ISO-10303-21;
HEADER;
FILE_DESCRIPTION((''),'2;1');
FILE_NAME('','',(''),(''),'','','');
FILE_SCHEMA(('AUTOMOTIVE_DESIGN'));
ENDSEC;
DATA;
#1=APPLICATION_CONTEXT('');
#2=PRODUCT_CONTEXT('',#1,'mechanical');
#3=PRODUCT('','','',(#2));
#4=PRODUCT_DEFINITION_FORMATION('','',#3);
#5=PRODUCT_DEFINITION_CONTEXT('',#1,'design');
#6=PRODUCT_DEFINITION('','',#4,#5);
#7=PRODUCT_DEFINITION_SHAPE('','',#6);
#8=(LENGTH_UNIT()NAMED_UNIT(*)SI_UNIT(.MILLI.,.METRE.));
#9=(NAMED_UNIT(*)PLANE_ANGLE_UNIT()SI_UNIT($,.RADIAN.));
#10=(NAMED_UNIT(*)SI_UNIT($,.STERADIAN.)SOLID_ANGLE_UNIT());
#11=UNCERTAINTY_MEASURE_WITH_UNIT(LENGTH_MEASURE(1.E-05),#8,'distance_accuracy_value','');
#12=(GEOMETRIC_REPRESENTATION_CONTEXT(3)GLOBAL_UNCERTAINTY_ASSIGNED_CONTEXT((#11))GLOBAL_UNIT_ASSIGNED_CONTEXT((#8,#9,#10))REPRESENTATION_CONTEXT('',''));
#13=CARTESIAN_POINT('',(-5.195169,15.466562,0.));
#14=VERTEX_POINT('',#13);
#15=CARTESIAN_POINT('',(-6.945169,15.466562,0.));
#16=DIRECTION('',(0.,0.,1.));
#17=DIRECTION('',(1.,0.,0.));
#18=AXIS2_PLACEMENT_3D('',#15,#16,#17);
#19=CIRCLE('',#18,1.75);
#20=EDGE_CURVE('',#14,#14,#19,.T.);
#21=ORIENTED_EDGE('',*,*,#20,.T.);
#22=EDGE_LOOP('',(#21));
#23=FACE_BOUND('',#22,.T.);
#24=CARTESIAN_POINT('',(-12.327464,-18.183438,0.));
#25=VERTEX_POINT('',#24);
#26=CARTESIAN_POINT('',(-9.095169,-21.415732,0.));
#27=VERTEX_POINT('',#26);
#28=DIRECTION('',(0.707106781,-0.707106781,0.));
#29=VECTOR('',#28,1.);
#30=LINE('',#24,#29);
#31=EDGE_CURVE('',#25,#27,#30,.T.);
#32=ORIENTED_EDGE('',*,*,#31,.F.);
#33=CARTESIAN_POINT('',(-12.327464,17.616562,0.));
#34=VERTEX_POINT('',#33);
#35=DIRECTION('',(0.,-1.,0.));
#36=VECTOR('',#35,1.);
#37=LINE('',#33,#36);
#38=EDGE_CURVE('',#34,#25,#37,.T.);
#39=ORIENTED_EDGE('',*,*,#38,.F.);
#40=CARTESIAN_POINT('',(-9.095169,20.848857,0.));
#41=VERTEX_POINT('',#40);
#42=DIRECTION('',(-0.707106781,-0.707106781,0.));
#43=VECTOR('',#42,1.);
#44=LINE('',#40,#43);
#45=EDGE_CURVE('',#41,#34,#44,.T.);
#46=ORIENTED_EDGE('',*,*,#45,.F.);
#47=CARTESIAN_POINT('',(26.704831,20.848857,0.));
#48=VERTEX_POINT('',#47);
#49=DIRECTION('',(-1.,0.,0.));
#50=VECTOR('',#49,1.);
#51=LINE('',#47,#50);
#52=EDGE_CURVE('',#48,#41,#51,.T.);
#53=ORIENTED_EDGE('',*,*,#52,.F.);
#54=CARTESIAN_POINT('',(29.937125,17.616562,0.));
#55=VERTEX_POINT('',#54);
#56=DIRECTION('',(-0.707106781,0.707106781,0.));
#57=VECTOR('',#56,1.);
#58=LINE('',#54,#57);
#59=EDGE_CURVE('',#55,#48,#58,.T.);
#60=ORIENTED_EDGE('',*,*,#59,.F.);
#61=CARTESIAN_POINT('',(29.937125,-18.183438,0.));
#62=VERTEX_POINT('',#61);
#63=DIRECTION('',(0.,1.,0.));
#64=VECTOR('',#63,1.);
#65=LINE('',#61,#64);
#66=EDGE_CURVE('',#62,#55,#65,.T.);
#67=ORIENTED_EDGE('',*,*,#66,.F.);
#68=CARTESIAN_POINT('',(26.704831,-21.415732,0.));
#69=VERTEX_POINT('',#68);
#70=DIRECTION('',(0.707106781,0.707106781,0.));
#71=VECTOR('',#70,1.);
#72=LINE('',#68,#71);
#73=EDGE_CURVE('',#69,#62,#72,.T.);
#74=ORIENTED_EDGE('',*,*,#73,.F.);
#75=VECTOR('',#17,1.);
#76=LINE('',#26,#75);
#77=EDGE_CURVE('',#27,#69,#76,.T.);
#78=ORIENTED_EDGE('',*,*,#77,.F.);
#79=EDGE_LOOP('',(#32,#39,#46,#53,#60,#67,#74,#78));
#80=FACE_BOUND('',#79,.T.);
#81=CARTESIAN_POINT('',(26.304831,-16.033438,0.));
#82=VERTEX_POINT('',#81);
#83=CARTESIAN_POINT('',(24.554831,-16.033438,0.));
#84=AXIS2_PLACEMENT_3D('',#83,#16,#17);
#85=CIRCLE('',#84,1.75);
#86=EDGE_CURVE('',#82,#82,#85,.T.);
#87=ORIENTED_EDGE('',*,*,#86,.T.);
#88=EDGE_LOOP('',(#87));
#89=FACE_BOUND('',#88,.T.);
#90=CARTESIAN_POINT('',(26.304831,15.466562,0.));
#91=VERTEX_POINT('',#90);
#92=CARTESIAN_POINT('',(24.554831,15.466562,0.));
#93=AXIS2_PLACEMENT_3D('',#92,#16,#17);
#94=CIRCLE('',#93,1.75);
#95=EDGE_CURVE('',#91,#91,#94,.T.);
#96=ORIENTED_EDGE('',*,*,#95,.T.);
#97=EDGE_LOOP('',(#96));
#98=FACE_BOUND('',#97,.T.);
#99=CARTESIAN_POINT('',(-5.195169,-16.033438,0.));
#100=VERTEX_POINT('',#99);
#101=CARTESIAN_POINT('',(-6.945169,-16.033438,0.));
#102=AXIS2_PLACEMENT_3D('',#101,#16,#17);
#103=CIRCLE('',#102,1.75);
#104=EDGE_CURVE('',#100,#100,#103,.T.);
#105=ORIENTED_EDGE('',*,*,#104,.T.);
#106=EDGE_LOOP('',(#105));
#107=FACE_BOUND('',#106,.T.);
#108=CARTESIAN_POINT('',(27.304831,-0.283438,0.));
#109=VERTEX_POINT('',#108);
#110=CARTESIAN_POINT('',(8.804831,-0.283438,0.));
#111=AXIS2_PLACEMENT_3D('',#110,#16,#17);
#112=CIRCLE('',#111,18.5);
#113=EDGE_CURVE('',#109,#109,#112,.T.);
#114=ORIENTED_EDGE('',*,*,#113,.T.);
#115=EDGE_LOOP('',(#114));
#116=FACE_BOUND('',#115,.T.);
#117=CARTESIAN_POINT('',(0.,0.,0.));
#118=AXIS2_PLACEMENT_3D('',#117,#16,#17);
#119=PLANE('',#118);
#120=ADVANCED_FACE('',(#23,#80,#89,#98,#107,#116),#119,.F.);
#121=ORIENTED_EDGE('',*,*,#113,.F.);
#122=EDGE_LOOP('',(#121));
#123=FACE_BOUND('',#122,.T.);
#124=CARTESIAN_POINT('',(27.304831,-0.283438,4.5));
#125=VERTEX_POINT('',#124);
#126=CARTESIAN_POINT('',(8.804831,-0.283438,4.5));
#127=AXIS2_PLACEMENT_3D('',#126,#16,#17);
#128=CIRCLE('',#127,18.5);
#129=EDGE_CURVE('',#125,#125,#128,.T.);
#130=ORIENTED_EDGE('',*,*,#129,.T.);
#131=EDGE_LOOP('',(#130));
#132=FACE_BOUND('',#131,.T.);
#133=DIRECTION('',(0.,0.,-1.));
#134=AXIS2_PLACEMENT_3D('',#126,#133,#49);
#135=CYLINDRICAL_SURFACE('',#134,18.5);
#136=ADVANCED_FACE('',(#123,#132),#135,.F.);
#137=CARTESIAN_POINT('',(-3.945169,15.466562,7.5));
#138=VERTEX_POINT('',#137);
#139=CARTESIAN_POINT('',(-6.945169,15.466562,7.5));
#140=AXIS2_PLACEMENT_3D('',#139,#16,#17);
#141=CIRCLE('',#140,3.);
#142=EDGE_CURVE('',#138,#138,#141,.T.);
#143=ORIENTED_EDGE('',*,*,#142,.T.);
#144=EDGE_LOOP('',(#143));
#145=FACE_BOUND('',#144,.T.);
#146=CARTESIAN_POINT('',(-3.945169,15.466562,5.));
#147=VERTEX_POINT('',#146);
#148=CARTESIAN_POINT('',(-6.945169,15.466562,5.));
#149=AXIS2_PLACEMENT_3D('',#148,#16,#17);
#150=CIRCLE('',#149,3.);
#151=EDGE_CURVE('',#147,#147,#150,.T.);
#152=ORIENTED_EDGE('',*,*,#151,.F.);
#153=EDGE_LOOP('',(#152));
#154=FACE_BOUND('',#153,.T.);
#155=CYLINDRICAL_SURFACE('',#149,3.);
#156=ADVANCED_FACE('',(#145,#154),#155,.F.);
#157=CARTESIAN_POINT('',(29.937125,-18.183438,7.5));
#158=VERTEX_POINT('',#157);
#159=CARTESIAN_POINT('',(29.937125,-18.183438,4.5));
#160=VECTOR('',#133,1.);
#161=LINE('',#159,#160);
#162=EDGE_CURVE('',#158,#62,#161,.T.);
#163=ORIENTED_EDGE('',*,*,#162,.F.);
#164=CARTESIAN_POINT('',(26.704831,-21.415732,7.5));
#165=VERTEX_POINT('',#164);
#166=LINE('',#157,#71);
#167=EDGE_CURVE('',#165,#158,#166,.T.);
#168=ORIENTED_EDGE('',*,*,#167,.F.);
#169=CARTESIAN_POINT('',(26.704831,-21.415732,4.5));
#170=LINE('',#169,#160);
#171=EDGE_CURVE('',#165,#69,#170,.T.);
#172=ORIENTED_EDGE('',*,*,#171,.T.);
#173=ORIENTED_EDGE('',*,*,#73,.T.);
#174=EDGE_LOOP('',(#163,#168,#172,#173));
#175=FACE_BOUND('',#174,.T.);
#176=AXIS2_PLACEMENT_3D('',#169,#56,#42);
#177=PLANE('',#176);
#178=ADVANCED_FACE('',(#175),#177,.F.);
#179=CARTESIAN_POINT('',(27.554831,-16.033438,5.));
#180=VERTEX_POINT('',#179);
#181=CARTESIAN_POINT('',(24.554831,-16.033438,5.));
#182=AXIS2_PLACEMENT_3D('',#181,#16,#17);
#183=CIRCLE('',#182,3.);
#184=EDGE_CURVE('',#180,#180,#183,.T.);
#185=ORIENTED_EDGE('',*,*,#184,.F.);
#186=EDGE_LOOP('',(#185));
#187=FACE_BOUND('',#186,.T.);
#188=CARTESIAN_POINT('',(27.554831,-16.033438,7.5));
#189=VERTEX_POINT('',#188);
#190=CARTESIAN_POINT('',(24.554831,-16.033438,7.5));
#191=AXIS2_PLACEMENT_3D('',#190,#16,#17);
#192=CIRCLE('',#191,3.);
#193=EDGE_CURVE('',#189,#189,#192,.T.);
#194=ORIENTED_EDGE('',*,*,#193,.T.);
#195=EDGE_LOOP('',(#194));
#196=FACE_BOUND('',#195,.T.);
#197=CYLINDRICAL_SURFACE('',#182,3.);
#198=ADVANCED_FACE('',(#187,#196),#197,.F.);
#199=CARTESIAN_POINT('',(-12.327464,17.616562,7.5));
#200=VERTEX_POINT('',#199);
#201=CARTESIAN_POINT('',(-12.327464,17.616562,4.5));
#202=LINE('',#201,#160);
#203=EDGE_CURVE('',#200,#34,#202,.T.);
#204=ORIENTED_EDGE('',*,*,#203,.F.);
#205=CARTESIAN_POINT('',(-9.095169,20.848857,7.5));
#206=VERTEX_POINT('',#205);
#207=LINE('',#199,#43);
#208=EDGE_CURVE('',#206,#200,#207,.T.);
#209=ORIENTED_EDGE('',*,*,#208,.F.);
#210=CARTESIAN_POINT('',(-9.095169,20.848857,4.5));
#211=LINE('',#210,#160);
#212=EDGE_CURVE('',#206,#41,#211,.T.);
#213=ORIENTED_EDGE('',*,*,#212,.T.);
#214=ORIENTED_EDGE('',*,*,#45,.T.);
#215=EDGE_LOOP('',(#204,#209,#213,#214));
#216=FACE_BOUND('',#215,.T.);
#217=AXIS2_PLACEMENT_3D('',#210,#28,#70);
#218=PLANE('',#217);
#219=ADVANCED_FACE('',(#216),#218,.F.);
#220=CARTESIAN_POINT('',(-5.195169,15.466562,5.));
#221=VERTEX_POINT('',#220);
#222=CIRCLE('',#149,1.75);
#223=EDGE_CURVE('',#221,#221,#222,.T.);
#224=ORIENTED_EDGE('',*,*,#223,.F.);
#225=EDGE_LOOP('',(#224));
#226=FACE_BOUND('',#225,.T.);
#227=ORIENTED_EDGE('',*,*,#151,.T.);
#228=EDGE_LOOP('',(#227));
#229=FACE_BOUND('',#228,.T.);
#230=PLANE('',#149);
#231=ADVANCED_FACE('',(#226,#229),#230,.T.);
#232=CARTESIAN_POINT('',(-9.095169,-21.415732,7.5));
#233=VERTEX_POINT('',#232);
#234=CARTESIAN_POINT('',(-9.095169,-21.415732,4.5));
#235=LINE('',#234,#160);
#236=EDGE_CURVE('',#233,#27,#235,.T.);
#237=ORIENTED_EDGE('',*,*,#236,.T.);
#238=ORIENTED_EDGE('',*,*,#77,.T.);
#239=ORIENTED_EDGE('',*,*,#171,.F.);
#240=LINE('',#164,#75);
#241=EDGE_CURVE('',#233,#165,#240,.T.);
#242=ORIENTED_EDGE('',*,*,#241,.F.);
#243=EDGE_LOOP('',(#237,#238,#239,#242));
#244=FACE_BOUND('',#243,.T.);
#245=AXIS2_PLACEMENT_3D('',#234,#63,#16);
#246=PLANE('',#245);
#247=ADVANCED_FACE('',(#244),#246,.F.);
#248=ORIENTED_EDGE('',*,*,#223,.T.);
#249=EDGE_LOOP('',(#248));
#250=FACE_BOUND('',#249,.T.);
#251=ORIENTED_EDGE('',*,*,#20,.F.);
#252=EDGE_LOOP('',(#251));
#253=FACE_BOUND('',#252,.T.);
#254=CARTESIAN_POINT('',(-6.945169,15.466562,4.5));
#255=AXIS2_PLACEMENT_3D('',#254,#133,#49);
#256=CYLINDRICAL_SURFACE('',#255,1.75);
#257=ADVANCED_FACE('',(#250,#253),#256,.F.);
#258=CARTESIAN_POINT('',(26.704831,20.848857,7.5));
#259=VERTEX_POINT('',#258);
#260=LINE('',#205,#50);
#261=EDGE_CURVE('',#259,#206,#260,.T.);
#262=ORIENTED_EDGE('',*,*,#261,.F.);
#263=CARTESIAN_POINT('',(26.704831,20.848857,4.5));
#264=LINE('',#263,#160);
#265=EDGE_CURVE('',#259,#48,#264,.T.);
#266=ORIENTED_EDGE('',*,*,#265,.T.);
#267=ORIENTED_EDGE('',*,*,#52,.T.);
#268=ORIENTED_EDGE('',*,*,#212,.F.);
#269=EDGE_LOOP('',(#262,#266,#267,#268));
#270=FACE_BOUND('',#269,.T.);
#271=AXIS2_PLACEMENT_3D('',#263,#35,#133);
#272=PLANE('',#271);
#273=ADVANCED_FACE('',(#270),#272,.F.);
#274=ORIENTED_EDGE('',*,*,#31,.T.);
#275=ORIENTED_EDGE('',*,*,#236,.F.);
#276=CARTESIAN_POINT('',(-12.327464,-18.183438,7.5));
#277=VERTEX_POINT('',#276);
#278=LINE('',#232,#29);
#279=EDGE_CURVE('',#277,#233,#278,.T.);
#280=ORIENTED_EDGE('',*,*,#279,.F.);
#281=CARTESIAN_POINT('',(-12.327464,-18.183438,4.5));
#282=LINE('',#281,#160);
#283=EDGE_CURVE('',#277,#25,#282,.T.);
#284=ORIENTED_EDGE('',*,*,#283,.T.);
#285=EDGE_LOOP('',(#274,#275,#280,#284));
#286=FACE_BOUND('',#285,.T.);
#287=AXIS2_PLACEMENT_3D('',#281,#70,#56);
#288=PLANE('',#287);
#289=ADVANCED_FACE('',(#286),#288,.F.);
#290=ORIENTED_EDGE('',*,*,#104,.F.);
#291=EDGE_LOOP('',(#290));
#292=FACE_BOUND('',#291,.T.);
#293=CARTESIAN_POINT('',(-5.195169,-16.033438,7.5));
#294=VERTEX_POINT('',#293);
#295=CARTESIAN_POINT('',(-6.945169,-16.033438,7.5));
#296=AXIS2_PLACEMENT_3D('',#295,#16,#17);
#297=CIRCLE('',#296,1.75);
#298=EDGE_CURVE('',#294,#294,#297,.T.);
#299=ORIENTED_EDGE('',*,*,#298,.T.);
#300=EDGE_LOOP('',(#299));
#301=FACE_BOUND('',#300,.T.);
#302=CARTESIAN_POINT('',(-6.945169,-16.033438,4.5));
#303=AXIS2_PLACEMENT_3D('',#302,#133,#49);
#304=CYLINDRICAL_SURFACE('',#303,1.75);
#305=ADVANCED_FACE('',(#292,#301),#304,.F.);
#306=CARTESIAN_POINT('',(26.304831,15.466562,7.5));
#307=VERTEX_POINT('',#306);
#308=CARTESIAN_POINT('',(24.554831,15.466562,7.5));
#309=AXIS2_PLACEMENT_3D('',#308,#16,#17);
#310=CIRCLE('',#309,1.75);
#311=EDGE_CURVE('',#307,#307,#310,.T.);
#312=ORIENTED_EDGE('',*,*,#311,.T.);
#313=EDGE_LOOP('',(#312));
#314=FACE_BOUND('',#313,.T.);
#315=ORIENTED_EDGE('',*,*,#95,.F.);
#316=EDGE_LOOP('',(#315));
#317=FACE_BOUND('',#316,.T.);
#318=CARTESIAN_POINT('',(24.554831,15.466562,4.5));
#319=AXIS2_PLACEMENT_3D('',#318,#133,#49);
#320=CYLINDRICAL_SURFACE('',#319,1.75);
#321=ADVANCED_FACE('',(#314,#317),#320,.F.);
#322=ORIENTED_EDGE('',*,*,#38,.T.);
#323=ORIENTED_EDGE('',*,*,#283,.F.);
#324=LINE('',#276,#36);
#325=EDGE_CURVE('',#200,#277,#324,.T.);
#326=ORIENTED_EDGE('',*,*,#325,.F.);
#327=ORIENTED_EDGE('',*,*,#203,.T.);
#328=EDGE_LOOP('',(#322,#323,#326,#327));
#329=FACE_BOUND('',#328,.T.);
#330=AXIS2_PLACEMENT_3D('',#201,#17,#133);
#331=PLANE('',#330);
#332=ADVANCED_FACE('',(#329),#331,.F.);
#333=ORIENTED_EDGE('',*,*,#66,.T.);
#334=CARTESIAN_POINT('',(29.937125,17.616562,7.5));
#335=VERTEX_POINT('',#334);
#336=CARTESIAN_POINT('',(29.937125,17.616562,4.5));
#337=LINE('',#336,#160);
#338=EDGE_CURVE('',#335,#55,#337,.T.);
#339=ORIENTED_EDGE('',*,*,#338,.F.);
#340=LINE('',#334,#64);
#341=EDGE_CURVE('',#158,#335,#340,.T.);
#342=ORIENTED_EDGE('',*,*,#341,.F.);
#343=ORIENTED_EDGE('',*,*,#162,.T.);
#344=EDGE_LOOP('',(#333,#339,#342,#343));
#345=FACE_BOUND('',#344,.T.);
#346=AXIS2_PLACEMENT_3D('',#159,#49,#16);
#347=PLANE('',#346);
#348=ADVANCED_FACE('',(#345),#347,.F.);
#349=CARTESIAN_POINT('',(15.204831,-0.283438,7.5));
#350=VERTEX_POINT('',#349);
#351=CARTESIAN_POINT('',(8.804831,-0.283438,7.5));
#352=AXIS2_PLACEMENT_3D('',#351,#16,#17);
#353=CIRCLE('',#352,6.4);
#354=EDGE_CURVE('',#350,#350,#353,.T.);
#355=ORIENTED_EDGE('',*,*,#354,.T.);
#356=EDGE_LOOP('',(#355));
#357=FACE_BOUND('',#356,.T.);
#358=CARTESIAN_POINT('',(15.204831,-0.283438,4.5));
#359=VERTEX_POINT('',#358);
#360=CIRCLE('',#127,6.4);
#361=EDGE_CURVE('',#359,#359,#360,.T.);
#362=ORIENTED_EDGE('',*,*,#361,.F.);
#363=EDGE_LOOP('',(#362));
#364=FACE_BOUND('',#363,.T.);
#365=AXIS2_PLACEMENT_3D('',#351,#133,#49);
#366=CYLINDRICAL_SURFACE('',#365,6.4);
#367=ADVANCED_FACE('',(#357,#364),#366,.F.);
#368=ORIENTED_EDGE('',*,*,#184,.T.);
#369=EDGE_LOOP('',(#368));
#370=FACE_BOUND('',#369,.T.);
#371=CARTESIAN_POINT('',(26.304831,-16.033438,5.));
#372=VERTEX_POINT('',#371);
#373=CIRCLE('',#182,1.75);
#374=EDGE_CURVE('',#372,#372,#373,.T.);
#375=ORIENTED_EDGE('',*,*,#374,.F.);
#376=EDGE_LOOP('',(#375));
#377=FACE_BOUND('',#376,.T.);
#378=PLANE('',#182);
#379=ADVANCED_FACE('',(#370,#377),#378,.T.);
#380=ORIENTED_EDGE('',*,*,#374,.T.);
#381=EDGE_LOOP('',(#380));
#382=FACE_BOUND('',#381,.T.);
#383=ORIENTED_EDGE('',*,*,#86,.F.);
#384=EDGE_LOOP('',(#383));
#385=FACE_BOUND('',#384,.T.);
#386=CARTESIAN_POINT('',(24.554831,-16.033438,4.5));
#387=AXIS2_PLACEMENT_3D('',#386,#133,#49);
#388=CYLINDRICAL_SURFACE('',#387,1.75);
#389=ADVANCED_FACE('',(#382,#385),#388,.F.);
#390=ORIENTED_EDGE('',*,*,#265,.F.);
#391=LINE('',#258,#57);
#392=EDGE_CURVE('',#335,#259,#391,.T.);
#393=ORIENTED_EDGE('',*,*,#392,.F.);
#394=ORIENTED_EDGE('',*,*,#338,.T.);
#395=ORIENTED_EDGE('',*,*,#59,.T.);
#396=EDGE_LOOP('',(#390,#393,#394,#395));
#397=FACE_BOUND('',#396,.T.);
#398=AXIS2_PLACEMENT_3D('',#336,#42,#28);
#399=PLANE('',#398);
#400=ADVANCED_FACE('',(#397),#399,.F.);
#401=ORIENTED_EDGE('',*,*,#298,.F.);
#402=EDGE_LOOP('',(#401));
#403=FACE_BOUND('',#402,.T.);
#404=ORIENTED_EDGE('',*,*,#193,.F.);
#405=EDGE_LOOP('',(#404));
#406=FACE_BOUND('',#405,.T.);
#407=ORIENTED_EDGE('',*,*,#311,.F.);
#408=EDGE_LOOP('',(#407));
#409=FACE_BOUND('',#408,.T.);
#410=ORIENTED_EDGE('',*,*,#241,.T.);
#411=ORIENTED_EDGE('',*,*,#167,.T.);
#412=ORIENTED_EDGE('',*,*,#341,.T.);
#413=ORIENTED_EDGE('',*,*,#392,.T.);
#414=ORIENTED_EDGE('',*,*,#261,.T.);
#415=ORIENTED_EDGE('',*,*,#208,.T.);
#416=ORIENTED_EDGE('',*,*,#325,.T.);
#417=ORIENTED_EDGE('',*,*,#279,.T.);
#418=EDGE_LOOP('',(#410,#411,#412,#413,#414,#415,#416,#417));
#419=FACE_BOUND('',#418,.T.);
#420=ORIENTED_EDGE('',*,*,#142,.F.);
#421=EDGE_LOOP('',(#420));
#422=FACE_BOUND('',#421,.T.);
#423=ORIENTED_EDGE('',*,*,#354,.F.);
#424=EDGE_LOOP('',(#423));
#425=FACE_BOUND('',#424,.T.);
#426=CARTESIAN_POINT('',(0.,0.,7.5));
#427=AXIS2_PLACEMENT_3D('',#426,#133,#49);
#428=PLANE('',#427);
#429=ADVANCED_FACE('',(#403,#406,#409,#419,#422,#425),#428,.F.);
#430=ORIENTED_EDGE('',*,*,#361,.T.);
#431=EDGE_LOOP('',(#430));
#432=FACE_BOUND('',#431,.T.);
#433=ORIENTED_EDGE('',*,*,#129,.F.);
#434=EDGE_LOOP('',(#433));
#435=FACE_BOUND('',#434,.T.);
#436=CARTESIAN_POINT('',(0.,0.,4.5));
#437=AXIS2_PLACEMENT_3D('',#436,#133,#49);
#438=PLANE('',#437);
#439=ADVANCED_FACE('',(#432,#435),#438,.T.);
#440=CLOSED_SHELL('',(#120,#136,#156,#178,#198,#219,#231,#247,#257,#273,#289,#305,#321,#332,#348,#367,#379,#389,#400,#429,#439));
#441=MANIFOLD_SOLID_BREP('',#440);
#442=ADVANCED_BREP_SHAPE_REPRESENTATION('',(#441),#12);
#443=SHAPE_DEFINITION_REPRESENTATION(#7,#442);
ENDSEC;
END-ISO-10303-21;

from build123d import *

# Parameters (mm, degrees)
SKETCH1_R           = 18.5
SKETCH1_R_2         = 1.75
BOSS_EXTRUDE1_DEPTH = 4.5
SKETCH2_R           = 6.4
SKETCH2_R_2         = 1.75
BOSS_EXTRUDE2_DEPTH = 3
SKETCH3_R           = 3
CUT_EXTRUDE1_DEPTH  = 2.5


with BuildPart() as part:
    # Sketch1 → Boss-Extrude1 (new body)
    with BuildSketch(Plane.XY):
        Polygon((-12.327463607, 17.616562478), (-12.327463607, -18.183437522), (-9.095169285, -21.415731844), (26.704830715, -21.415731844), (29.937125036, -18.183437522), (29.937125036, 17.616562478), (26.704830715, 20.848856799), (-9.095169285, 20.848856799), align=None)
        with Locations((8.804830715, -0.283437522)):
            Circle(SKETCH1_R, mode=Mode.SUBTRACT)
        with Locations((-6.945169285, 15.466562478)):
            Circle(SKETCH1_R_2, mode=Mode.SUBTRACT)
        with Locations((-6.945169285, -16.033437522)):
            Circle(SKETCH1_R_2, mode=Mode.SUBTRACT)
        with Locations((24.554830715, -16.033437522)):
            Circle(SKETCH1_R_2, mode=Mode.SUBTRACT)
        with Locations((24.554830715, 15.466562478)):
            Circle(SKETCH1_R_2, mode=Mode.SUBTRACT)
    extrude(amount=BOSS_EXTRUDE1_DEPTH)

    # Sketch2 → Boss-Extrude2 (add)
    with BuildSketch(Plane.XY.offset(4.5)):
        Polygon((-12.327463607, 17.616562478), (-9.095169285, 20.848856799), (26.704830715, 20.848856799), (29.937125036, 17.616562478), (29.937125036, -18.183437522), (26.704830715, -21.415731844), (-9.095169285, -21.415731844), (-12.327463607, -18.183437522), align=None)
        with Locations((8.804830715, -0.283437522)):
            Circle(SKETCH2_R, mode=Mode.SUBTRACT)
        with Locations((-6.945169285, 15.466562478)):
            Circle(SKETCH2_R_2, mode=Mode.SUBTRACT)
        with Locations((24.554830715, 15.466562478)):
            Circle(SKETCH2_R_2, mode=Mode.SUBTRACT)
        with Locations((24.554830715, -16.033437522)):
            Circle(SKETCH2_R_2, mode=Mode.SUBTRACT)
        with Locations((-6.945169285, -16.033437522)):
            Circle(SKETCH2_R_2, mode=Mode.SUBTRACT)
    extrude(amount=BOSS_EXTRUDE2_DEPTH)

    # Sketch3 → Cut-Extrude1 (cut)
    with BuildSketch(Plane.XY.offset(7.5)):
        with Locations((-6.945169285, 15.466562478)):
            Circle(SKETCH3_R)
        with Locations((24.554830715, -16.033437522)):
            Circle(SKETCH3_R)
    extrude(amount=-CUT_EXTRUDE1_DEPTH, mode=Mode.SUBTRACT)


solid = part.part
